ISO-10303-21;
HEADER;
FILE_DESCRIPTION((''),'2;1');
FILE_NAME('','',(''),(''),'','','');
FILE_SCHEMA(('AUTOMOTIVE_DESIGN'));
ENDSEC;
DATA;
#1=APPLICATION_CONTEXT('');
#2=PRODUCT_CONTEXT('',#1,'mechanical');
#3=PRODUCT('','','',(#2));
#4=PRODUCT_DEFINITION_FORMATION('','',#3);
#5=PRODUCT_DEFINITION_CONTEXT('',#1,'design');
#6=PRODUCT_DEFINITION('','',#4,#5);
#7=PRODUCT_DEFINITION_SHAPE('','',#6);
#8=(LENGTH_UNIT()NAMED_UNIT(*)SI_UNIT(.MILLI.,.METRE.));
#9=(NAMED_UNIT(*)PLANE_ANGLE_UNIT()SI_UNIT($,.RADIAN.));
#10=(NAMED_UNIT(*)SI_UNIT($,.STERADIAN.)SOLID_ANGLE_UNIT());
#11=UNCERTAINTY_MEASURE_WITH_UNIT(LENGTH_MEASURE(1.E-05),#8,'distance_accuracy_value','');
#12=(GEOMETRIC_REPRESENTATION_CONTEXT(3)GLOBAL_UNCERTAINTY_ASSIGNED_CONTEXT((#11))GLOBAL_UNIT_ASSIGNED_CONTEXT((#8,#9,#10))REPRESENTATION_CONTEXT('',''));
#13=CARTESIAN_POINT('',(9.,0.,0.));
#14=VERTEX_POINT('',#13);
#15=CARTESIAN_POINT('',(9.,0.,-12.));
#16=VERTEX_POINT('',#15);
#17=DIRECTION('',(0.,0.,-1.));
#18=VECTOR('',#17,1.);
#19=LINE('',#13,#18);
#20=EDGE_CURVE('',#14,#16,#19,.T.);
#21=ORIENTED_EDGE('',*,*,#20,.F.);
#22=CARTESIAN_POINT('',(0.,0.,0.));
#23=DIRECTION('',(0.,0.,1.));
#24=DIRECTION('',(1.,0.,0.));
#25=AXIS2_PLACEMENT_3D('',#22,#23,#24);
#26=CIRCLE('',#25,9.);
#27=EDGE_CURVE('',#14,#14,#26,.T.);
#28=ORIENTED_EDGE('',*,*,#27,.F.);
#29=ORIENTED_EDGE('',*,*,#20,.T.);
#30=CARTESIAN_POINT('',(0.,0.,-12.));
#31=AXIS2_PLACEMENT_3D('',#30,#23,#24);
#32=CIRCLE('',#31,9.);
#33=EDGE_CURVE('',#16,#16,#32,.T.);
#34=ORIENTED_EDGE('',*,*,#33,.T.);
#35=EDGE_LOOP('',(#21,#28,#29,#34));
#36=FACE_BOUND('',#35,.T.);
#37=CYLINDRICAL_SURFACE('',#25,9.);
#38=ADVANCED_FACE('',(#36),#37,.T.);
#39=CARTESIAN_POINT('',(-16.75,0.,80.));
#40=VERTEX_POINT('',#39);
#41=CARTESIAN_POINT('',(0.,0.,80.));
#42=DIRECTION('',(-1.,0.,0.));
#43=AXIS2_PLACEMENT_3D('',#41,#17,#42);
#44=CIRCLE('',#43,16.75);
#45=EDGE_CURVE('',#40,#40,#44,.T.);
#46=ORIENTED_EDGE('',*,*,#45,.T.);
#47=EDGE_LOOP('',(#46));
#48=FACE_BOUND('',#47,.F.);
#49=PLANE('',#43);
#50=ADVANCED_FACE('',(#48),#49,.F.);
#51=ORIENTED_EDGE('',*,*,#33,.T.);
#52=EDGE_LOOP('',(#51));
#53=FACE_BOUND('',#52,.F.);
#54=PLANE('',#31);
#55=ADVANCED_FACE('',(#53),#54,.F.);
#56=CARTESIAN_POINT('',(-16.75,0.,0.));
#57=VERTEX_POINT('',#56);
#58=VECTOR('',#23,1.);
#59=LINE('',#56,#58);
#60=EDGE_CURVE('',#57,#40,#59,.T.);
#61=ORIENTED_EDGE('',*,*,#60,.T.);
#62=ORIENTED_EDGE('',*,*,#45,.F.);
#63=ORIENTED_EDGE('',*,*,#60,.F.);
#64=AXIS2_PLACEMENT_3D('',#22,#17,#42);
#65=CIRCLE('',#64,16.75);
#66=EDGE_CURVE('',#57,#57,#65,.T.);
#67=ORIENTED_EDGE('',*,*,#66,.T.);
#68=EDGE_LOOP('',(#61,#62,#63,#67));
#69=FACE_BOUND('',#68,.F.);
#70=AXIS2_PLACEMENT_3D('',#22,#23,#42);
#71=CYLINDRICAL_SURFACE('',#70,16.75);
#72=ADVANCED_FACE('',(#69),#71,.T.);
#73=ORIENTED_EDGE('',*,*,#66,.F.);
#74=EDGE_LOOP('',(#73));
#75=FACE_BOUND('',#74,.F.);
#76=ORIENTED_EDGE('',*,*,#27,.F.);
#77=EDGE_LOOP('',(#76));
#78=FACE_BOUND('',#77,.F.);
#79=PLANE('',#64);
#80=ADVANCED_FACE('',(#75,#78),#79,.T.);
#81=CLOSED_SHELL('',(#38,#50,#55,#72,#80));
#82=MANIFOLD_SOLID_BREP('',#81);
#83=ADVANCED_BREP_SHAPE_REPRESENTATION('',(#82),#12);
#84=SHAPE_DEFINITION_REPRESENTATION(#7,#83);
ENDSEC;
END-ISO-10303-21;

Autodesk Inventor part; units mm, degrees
ref_plane "YZ Plane" through (0, 0, 0) normal (1, 0, 0) x (0, 1, 0)
ref_plane "XZ Plane" through (0, 0, 0) normal (0, 1, 0) x (-1, 0, 0)
ref_plane "XY Plane" through (0, 0, 0) normal (0, 0, 1) x (1, 0, 0)
sketch "Sketch1" plane through (0, 0, 0) normal (0, 1, 0) x (-1, 0, 0)
  line L0 (0, 0) -> (16.75, 0)
  line L1 (16.75, 0) -> (16.75, 80)
  line L2 (16.75, 80) -> (0, 80)
  line L3 (0, 80) -> (0, 0)
  dimension "d0" = 80
  dimension "d1" = 16.75
revolve "Revolution1" add sketch "Sketch1" angle 360 about axis through (0, 0, 80) along (0, 0, -1)
sketch "Sketch2" plane through (0, 0, 0) normal (0, 0, 1) x (1, 0, 0)
  circle A0 centre (0, 0) radius 9
  dimension "d3" = 18
extrude "Extrusion1" add sketch "Sketch2" against normal blind 12
properties part number "waterbottle"
